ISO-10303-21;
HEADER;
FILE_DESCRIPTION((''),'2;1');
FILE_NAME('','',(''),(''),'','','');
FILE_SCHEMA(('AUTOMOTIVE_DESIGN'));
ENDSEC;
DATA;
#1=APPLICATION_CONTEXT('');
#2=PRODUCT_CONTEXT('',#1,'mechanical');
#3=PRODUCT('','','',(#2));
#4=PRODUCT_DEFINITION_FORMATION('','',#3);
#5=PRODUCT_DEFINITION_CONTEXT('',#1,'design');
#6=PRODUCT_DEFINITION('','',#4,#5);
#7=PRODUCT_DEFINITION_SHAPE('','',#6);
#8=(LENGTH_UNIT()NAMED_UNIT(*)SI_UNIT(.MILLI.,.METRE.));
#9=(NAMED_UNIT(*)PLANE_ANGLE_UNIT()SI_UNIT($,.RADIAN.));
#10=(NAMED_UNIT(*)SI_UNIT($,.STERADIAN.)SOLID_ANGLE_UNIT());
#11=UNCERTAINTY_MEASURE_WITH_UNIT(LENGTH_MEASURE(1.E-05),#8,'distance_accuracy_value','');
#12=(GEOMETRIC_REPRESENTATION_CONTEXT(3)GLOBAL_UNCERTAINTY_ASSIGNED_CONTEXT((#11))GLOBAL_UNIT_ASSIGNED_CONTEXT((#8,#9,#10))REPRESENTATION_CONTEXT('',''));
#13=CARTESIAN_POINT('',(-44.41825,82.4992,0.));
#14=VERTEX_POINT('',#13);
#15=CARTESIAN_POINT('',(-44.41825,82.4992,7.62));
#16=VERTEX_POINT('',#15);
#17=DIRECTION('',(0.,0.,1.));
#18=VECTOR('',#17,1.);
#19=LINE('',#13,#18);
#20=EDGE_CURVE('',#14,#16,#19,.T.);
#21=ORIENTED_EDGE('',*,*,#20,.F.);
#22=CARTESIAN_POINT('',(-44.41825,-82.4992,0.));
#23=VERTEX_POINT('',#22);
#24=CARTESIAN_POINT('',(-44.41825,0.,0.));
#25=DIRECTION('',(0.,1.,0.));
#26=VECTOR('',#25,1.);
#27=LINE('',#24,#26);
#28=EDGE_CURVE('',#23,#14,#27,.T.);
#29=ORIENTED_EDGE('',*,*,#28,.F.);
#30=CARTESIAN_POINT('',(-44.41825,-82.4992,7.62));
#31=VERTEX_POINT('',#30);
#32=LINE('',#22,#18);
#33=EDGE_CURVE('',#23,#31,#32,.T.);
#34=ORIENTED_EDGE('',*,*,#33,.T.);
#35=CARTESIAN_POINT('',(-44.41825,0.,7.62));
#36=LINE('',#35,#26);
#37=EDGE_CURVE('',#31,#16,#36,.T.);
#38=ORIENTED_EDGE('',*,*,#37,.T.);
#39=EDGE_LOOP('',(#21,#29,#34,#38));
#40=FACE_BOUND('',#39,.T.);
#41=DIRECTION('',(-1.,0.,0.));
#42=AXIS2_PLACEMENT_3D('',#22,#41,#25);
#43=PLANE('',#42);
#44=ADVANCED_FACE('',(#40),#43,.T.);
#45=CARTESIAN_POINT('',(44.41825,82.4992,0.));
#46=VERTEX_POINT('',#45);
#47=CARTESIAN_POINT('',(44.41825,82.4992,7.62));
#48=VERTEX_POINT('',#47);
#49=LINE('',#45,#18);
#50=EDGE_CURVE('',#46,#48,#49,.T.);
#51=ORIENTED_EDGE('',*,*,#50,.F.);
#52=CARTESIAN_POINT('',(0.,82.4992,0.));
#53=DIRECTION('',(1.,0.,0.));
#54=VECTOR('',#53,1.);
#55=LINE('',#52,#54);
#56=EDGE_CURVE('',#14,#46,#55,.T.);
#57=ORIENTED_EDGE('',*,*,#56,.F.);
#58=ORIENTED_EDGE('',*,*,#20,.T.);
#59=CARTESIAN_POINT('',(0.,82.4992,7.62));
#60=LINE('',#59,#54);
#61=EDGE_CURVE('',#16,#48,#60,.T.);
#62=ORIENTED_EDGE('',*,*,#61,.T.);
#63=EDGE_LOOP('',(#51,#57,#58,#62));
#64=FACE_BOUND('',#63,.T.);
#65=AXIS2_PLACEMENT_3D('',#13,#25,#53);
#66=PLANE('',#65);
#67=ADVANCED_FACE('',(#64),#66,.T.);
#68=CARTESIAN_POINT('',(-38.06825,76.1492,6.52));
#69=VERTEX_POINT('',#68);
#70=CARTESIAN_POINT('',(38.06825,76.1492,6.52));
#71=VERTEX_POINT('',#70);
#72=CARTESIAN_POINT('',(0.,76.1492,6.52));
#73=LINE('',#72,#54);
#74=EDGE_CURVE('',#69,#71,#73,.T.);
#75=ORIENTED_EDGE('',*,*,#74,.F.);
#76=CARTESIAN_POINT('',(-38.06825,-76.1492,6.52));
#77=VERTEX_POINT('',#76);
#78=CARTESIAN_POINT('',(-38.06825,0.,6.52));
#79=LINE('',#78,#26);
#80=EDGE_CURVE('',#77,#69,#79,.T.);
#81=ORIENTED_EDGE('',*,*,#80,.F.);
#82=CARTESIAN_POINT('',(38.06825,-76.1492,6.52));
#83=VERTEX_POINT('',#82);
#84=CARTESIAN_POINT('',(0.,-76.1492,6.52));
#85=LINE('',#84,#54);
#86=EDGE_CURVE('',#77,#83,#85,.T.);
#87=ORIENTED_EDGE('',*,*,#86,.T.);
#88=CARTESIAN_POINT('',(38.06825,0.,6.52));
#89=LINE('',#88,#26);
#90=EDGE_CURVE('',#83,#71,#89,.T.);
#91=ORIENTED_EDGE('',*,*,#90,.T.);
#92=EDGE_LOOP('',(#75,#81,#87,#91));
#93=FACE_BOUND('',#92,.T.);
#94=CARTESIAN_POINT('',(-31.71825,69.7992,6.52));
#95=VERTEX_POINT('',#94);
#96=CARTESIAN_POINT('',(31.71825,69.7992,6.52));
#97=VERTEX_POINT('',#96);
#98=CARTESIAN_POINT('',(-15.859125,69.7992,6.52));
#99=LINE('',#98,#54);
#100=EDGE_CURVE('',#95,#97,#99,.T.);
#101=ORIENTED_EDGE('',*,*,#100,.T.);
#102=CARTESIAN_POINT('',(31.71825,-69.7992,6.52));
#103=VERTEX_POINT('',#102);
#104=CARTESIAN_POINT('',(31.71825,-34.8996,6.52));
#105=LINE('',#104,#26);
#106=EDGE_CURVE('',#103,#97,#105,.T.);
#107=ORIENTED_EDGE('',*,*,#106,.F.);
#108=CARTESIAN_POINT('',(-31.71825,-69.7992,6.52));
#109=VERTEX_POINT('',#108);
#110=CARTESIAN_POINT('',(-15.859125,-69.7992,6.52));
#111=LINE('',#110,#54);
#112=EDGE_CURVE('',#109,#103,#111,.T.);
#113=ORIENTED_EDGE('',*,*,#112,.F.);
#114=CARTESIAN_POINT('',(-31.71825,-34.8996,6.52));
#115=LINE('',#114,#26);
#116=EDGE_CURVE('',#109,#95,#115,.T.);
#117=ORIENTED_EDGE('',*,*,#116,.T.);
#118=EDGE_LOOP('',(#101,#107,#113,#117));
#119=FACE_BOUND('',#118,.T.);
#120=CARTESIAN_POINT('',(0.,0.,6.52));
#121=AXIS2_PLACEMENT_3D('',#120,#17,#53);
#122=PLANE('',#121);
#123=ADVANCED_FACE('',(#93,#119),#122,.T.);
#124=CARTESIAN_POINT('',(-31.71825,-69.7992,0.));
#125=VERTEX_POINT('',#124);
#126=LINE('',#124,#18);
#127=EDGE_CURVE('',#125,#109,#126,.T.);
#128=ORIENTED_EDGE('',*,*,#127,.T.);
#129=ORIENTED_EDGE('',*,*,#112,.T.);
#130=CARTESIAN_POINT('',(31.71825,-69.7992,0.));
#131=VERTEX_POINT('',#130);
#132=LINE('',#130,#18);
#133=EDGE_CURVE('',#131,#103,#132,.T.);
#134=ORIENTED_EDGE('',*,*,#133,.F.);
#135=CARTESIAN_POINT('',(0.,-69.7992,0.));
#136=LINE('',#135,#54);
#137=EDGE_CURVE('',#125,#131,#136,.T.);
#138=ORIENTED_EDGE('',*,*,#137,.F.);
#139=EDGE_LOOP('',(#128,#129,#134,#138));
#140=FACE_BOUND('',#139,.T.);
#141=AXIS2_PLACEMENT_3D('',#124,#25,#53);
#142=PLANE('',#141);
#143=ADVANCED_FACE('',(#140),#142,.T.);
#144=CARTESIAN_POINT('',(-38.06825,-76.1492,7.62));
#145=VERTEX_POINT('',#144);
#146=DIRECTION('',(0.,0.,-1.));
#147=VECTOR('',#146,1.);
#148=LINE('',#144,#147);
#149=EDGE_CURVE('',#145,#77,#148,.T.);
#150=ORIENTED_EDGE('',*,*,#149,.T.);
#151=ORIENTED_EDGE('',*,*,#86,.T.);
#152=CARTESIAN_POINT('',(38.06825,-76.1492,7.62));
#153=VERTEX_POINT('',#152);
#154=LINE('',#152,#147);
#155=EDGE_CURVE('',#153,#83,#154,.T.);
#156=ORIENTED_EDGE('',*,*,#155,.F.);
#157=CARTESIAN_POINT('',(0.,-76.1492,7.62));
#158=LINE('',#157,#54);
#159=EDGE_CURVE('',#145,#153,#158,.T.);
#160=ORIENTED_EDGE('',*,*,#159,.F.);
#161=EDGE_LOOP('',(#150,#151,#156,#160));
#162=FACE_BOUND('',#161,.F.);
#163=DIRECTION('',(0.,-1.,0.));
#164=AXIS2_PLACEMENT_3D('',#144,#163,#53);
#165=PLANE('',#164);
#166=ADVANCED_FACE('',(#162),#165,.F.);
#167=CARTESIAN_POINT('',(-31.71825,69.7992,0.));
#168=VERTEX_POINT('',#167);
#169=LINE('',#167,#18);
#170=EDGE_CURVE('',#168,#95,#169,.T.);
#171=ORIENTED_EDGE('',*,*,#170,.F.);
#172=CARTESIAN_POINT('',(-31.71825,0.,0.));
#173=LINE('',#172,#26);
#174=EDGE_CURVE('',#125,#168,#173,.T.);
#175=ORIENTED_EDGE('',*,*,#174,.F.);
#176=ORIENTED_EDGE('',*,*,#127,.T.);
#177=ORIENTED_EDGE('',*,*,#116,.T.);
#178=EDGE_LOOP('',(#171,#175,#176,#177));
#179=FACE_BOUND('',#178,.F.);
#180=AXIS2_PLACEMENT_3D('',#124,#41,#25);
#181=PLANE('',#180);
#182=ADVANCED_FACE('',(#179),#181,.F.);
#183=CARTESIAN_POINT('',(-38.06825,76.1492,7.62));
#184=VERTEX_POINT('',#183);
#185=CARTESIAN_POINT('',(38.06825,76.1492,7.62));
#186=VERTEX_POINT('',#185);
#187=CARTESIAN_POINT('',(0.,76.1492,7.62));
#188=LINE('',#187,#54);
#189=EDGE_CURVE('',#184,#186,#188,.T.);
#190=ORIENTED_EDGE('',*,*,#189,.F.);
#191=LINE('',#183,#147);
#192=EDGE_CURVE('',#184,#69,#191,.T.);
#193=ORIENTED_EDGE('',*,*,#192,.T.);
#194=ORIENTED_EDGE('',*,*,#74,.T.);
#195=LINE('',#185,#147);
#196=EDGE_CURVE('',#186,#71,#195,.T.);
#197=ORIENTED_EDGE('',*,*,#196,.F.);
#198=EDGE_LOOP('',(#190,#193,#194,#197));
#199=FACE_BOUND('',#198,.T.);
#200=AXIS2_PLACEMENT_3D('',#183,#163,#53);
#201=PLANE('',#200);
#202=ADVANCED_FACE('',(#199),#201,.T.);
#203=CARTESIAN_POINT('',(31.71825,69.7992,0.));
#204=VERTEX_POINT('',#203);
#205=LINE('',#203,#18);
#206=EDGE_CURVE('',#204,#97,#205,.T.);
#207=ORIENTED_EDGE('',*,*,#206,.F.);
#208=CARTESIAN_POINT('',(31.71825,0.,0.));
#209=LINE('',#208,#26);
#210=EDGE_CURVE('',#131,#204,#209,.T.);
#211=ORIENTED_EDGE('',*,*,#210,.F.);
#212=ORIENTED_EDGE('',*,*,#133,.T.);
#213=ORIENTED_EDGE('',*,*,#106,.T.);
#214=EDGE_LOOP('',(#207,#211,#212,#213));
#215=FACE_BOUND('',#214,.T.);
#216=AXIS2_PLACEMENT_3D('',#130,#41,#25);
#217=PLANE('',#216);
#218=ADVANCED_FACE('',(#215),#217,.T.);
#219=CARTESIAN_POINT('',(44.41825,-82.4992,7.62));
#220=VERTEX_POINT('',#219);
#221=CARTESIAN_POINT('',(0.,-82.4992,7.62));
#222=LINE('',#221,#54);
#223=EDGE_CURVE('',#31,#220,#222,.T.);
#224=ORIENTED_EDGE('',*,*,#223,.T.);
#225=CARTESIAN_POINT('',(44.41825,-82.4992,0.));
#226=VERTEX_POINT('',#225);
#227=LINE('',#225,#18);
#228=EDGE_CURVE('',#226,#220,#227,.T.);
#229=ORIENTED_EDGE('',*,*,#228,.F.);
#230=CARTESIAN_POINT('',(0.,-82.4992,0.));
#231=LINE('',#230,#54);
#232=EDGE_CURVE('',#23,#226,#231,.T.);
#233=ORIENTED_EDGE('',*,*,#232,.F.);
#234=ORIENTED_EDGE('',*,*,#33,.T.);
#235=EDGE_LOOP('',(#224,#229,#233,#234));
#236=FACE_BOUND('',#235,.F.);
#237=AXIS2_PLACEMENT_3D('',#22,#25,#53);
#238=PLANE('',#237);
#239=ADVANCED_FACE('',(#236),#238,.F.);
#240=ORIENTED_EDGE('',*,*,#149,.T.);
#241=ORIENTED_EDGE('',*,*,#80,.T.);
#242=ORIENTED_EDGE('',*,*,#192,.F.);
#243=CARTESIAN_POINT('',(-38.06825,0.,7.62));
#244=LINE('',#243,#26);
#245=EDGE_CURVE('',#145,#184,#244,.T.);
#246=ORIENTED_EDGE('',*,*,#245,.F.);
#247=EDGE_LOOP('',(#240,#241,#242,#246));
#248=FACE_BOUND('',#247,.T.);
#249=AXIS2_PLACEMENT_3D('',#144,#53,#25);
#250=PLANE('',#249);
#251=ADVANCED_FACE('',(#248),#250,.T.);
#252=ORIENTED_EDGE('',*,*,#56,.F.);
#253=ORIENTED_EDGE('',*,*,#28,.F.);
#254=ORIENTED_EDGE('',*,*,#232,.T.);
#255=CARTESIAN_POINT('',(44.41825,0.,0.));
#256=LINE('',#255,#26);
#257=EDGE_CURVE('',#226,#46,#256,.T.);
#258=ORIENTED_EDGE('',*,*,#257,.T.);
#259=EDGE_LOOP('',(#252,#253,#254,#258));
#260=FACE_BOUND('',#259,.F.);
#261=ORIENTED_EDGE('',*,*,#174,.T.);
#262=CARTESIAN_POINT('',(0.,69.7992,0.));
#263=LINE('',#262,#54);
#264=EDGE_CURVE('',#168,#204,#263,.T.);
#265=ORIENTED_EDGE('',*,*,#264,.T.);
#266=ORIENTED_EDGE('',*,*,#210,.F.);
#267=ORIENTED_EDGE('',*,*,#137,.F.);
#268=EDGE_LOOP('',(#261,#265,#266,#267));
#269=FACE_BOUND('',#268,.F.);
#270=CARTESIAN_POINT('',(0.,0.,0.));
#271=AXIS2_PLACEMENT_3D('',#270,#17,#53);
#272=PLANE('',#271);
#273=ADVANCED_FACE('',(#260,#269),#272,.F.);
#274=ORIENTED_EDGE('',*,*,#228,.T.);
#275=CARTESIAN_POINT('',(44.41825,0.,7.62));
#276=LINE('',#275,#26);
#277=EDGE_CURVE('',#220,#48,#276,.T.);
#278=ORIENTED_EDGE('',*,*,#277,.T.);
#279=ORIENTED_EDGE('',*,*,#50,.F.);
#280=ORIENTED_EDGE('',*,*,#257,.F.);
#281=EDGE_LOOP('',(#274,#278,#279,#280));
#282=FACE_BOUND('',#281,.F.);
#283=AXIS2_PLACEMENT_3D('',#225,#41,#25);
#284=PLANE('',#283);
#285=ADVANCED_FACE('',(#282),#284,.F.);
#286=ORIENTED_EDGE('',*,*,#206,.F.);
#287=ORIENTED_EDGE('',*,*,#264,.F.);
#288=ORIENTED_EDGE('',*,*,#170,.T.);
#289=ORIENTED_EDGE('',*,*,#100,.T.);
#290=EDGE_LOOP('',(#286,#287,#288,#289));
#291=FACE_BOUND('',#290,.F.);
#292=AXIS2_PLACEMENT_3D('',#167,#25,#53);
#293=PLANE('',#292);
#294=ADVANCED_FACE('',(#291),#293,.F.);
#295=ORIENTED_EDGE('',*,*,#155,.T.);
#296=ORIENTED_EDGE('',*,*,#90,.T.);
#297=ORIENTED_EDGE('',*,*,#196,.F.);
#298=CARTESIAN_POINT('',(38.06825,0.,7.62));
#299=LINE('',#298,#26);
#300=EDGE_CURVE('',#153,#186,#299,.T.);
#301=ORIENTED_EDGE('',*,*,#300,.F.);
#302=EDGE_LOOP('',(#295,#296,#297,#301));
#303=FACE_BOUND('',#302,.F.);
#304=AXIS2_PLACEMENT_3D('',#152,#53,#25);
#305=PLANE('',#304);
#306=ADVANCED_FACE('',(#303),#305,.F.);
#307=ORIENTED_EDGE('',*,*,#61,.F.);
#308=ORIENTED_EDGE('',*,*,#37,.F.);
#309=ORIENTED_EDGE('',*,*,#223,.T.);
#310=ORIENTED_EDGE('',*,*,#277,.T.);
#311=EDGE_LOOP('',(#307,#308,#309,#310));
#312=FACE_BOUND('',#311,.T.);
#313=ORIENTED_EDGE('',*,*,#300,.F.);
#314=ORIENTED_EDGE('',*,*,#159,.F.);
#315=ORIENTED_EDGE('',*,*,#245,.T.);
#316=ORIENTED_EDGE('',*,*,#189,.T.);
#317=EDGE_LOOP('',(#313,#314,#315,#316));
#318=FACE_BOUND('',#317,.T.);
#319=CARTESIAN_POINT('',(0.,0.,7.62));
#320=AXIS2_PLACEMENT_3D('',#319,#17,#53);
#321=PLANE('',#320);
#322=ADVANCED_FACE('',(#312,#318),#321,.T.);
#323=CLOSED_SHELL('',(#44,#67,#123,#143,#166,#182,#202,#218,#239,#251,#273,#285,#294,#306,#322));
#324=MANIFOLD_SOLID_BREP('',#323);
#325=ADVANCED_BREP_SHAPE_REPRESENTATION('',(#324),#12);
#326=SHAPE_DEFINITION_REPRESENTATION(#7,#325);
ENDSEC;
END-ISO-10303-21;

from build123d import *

# Parameters (mm, degrees)
F0_W     = 88.8365
F0_H     = 164.9984
F0_W_2   = 76.1365
F0_H_2   = 152.2984
F0_W_3   = 63.4365
F0_H_3   = 139.5984
F1_DEPTH = 7.62
F2_W     = 76.1365
F2_H     = 152.2984
F3_DEPTH = 1.1


with BuildPart() as f1:
    # F0 (on Top) → F1 (new body)
    with BuildSketch(Plane.XY):
        Rectangle(F0_W, F0_H)
        Rectangle(F0_W_2, F0_H_2, mode=Mode.SUBTRACT)
        Rectangle(F0_W_2, F0_H_2)
        Rectangle(F0_W_3, F0_H_3, mode=Mode.SUBTRACT)
    extrude(amount=F1_DEPTH)

    # F2 (on face) → F3 (cut)
    with BuildSketch(Plane.XY.offset(7.62)):
        Rectangle(F2_W, F2_H)
    extrude(amount=-F3_DEPTH, mode=Mode.SUBTRACT)


solid = f1.part
